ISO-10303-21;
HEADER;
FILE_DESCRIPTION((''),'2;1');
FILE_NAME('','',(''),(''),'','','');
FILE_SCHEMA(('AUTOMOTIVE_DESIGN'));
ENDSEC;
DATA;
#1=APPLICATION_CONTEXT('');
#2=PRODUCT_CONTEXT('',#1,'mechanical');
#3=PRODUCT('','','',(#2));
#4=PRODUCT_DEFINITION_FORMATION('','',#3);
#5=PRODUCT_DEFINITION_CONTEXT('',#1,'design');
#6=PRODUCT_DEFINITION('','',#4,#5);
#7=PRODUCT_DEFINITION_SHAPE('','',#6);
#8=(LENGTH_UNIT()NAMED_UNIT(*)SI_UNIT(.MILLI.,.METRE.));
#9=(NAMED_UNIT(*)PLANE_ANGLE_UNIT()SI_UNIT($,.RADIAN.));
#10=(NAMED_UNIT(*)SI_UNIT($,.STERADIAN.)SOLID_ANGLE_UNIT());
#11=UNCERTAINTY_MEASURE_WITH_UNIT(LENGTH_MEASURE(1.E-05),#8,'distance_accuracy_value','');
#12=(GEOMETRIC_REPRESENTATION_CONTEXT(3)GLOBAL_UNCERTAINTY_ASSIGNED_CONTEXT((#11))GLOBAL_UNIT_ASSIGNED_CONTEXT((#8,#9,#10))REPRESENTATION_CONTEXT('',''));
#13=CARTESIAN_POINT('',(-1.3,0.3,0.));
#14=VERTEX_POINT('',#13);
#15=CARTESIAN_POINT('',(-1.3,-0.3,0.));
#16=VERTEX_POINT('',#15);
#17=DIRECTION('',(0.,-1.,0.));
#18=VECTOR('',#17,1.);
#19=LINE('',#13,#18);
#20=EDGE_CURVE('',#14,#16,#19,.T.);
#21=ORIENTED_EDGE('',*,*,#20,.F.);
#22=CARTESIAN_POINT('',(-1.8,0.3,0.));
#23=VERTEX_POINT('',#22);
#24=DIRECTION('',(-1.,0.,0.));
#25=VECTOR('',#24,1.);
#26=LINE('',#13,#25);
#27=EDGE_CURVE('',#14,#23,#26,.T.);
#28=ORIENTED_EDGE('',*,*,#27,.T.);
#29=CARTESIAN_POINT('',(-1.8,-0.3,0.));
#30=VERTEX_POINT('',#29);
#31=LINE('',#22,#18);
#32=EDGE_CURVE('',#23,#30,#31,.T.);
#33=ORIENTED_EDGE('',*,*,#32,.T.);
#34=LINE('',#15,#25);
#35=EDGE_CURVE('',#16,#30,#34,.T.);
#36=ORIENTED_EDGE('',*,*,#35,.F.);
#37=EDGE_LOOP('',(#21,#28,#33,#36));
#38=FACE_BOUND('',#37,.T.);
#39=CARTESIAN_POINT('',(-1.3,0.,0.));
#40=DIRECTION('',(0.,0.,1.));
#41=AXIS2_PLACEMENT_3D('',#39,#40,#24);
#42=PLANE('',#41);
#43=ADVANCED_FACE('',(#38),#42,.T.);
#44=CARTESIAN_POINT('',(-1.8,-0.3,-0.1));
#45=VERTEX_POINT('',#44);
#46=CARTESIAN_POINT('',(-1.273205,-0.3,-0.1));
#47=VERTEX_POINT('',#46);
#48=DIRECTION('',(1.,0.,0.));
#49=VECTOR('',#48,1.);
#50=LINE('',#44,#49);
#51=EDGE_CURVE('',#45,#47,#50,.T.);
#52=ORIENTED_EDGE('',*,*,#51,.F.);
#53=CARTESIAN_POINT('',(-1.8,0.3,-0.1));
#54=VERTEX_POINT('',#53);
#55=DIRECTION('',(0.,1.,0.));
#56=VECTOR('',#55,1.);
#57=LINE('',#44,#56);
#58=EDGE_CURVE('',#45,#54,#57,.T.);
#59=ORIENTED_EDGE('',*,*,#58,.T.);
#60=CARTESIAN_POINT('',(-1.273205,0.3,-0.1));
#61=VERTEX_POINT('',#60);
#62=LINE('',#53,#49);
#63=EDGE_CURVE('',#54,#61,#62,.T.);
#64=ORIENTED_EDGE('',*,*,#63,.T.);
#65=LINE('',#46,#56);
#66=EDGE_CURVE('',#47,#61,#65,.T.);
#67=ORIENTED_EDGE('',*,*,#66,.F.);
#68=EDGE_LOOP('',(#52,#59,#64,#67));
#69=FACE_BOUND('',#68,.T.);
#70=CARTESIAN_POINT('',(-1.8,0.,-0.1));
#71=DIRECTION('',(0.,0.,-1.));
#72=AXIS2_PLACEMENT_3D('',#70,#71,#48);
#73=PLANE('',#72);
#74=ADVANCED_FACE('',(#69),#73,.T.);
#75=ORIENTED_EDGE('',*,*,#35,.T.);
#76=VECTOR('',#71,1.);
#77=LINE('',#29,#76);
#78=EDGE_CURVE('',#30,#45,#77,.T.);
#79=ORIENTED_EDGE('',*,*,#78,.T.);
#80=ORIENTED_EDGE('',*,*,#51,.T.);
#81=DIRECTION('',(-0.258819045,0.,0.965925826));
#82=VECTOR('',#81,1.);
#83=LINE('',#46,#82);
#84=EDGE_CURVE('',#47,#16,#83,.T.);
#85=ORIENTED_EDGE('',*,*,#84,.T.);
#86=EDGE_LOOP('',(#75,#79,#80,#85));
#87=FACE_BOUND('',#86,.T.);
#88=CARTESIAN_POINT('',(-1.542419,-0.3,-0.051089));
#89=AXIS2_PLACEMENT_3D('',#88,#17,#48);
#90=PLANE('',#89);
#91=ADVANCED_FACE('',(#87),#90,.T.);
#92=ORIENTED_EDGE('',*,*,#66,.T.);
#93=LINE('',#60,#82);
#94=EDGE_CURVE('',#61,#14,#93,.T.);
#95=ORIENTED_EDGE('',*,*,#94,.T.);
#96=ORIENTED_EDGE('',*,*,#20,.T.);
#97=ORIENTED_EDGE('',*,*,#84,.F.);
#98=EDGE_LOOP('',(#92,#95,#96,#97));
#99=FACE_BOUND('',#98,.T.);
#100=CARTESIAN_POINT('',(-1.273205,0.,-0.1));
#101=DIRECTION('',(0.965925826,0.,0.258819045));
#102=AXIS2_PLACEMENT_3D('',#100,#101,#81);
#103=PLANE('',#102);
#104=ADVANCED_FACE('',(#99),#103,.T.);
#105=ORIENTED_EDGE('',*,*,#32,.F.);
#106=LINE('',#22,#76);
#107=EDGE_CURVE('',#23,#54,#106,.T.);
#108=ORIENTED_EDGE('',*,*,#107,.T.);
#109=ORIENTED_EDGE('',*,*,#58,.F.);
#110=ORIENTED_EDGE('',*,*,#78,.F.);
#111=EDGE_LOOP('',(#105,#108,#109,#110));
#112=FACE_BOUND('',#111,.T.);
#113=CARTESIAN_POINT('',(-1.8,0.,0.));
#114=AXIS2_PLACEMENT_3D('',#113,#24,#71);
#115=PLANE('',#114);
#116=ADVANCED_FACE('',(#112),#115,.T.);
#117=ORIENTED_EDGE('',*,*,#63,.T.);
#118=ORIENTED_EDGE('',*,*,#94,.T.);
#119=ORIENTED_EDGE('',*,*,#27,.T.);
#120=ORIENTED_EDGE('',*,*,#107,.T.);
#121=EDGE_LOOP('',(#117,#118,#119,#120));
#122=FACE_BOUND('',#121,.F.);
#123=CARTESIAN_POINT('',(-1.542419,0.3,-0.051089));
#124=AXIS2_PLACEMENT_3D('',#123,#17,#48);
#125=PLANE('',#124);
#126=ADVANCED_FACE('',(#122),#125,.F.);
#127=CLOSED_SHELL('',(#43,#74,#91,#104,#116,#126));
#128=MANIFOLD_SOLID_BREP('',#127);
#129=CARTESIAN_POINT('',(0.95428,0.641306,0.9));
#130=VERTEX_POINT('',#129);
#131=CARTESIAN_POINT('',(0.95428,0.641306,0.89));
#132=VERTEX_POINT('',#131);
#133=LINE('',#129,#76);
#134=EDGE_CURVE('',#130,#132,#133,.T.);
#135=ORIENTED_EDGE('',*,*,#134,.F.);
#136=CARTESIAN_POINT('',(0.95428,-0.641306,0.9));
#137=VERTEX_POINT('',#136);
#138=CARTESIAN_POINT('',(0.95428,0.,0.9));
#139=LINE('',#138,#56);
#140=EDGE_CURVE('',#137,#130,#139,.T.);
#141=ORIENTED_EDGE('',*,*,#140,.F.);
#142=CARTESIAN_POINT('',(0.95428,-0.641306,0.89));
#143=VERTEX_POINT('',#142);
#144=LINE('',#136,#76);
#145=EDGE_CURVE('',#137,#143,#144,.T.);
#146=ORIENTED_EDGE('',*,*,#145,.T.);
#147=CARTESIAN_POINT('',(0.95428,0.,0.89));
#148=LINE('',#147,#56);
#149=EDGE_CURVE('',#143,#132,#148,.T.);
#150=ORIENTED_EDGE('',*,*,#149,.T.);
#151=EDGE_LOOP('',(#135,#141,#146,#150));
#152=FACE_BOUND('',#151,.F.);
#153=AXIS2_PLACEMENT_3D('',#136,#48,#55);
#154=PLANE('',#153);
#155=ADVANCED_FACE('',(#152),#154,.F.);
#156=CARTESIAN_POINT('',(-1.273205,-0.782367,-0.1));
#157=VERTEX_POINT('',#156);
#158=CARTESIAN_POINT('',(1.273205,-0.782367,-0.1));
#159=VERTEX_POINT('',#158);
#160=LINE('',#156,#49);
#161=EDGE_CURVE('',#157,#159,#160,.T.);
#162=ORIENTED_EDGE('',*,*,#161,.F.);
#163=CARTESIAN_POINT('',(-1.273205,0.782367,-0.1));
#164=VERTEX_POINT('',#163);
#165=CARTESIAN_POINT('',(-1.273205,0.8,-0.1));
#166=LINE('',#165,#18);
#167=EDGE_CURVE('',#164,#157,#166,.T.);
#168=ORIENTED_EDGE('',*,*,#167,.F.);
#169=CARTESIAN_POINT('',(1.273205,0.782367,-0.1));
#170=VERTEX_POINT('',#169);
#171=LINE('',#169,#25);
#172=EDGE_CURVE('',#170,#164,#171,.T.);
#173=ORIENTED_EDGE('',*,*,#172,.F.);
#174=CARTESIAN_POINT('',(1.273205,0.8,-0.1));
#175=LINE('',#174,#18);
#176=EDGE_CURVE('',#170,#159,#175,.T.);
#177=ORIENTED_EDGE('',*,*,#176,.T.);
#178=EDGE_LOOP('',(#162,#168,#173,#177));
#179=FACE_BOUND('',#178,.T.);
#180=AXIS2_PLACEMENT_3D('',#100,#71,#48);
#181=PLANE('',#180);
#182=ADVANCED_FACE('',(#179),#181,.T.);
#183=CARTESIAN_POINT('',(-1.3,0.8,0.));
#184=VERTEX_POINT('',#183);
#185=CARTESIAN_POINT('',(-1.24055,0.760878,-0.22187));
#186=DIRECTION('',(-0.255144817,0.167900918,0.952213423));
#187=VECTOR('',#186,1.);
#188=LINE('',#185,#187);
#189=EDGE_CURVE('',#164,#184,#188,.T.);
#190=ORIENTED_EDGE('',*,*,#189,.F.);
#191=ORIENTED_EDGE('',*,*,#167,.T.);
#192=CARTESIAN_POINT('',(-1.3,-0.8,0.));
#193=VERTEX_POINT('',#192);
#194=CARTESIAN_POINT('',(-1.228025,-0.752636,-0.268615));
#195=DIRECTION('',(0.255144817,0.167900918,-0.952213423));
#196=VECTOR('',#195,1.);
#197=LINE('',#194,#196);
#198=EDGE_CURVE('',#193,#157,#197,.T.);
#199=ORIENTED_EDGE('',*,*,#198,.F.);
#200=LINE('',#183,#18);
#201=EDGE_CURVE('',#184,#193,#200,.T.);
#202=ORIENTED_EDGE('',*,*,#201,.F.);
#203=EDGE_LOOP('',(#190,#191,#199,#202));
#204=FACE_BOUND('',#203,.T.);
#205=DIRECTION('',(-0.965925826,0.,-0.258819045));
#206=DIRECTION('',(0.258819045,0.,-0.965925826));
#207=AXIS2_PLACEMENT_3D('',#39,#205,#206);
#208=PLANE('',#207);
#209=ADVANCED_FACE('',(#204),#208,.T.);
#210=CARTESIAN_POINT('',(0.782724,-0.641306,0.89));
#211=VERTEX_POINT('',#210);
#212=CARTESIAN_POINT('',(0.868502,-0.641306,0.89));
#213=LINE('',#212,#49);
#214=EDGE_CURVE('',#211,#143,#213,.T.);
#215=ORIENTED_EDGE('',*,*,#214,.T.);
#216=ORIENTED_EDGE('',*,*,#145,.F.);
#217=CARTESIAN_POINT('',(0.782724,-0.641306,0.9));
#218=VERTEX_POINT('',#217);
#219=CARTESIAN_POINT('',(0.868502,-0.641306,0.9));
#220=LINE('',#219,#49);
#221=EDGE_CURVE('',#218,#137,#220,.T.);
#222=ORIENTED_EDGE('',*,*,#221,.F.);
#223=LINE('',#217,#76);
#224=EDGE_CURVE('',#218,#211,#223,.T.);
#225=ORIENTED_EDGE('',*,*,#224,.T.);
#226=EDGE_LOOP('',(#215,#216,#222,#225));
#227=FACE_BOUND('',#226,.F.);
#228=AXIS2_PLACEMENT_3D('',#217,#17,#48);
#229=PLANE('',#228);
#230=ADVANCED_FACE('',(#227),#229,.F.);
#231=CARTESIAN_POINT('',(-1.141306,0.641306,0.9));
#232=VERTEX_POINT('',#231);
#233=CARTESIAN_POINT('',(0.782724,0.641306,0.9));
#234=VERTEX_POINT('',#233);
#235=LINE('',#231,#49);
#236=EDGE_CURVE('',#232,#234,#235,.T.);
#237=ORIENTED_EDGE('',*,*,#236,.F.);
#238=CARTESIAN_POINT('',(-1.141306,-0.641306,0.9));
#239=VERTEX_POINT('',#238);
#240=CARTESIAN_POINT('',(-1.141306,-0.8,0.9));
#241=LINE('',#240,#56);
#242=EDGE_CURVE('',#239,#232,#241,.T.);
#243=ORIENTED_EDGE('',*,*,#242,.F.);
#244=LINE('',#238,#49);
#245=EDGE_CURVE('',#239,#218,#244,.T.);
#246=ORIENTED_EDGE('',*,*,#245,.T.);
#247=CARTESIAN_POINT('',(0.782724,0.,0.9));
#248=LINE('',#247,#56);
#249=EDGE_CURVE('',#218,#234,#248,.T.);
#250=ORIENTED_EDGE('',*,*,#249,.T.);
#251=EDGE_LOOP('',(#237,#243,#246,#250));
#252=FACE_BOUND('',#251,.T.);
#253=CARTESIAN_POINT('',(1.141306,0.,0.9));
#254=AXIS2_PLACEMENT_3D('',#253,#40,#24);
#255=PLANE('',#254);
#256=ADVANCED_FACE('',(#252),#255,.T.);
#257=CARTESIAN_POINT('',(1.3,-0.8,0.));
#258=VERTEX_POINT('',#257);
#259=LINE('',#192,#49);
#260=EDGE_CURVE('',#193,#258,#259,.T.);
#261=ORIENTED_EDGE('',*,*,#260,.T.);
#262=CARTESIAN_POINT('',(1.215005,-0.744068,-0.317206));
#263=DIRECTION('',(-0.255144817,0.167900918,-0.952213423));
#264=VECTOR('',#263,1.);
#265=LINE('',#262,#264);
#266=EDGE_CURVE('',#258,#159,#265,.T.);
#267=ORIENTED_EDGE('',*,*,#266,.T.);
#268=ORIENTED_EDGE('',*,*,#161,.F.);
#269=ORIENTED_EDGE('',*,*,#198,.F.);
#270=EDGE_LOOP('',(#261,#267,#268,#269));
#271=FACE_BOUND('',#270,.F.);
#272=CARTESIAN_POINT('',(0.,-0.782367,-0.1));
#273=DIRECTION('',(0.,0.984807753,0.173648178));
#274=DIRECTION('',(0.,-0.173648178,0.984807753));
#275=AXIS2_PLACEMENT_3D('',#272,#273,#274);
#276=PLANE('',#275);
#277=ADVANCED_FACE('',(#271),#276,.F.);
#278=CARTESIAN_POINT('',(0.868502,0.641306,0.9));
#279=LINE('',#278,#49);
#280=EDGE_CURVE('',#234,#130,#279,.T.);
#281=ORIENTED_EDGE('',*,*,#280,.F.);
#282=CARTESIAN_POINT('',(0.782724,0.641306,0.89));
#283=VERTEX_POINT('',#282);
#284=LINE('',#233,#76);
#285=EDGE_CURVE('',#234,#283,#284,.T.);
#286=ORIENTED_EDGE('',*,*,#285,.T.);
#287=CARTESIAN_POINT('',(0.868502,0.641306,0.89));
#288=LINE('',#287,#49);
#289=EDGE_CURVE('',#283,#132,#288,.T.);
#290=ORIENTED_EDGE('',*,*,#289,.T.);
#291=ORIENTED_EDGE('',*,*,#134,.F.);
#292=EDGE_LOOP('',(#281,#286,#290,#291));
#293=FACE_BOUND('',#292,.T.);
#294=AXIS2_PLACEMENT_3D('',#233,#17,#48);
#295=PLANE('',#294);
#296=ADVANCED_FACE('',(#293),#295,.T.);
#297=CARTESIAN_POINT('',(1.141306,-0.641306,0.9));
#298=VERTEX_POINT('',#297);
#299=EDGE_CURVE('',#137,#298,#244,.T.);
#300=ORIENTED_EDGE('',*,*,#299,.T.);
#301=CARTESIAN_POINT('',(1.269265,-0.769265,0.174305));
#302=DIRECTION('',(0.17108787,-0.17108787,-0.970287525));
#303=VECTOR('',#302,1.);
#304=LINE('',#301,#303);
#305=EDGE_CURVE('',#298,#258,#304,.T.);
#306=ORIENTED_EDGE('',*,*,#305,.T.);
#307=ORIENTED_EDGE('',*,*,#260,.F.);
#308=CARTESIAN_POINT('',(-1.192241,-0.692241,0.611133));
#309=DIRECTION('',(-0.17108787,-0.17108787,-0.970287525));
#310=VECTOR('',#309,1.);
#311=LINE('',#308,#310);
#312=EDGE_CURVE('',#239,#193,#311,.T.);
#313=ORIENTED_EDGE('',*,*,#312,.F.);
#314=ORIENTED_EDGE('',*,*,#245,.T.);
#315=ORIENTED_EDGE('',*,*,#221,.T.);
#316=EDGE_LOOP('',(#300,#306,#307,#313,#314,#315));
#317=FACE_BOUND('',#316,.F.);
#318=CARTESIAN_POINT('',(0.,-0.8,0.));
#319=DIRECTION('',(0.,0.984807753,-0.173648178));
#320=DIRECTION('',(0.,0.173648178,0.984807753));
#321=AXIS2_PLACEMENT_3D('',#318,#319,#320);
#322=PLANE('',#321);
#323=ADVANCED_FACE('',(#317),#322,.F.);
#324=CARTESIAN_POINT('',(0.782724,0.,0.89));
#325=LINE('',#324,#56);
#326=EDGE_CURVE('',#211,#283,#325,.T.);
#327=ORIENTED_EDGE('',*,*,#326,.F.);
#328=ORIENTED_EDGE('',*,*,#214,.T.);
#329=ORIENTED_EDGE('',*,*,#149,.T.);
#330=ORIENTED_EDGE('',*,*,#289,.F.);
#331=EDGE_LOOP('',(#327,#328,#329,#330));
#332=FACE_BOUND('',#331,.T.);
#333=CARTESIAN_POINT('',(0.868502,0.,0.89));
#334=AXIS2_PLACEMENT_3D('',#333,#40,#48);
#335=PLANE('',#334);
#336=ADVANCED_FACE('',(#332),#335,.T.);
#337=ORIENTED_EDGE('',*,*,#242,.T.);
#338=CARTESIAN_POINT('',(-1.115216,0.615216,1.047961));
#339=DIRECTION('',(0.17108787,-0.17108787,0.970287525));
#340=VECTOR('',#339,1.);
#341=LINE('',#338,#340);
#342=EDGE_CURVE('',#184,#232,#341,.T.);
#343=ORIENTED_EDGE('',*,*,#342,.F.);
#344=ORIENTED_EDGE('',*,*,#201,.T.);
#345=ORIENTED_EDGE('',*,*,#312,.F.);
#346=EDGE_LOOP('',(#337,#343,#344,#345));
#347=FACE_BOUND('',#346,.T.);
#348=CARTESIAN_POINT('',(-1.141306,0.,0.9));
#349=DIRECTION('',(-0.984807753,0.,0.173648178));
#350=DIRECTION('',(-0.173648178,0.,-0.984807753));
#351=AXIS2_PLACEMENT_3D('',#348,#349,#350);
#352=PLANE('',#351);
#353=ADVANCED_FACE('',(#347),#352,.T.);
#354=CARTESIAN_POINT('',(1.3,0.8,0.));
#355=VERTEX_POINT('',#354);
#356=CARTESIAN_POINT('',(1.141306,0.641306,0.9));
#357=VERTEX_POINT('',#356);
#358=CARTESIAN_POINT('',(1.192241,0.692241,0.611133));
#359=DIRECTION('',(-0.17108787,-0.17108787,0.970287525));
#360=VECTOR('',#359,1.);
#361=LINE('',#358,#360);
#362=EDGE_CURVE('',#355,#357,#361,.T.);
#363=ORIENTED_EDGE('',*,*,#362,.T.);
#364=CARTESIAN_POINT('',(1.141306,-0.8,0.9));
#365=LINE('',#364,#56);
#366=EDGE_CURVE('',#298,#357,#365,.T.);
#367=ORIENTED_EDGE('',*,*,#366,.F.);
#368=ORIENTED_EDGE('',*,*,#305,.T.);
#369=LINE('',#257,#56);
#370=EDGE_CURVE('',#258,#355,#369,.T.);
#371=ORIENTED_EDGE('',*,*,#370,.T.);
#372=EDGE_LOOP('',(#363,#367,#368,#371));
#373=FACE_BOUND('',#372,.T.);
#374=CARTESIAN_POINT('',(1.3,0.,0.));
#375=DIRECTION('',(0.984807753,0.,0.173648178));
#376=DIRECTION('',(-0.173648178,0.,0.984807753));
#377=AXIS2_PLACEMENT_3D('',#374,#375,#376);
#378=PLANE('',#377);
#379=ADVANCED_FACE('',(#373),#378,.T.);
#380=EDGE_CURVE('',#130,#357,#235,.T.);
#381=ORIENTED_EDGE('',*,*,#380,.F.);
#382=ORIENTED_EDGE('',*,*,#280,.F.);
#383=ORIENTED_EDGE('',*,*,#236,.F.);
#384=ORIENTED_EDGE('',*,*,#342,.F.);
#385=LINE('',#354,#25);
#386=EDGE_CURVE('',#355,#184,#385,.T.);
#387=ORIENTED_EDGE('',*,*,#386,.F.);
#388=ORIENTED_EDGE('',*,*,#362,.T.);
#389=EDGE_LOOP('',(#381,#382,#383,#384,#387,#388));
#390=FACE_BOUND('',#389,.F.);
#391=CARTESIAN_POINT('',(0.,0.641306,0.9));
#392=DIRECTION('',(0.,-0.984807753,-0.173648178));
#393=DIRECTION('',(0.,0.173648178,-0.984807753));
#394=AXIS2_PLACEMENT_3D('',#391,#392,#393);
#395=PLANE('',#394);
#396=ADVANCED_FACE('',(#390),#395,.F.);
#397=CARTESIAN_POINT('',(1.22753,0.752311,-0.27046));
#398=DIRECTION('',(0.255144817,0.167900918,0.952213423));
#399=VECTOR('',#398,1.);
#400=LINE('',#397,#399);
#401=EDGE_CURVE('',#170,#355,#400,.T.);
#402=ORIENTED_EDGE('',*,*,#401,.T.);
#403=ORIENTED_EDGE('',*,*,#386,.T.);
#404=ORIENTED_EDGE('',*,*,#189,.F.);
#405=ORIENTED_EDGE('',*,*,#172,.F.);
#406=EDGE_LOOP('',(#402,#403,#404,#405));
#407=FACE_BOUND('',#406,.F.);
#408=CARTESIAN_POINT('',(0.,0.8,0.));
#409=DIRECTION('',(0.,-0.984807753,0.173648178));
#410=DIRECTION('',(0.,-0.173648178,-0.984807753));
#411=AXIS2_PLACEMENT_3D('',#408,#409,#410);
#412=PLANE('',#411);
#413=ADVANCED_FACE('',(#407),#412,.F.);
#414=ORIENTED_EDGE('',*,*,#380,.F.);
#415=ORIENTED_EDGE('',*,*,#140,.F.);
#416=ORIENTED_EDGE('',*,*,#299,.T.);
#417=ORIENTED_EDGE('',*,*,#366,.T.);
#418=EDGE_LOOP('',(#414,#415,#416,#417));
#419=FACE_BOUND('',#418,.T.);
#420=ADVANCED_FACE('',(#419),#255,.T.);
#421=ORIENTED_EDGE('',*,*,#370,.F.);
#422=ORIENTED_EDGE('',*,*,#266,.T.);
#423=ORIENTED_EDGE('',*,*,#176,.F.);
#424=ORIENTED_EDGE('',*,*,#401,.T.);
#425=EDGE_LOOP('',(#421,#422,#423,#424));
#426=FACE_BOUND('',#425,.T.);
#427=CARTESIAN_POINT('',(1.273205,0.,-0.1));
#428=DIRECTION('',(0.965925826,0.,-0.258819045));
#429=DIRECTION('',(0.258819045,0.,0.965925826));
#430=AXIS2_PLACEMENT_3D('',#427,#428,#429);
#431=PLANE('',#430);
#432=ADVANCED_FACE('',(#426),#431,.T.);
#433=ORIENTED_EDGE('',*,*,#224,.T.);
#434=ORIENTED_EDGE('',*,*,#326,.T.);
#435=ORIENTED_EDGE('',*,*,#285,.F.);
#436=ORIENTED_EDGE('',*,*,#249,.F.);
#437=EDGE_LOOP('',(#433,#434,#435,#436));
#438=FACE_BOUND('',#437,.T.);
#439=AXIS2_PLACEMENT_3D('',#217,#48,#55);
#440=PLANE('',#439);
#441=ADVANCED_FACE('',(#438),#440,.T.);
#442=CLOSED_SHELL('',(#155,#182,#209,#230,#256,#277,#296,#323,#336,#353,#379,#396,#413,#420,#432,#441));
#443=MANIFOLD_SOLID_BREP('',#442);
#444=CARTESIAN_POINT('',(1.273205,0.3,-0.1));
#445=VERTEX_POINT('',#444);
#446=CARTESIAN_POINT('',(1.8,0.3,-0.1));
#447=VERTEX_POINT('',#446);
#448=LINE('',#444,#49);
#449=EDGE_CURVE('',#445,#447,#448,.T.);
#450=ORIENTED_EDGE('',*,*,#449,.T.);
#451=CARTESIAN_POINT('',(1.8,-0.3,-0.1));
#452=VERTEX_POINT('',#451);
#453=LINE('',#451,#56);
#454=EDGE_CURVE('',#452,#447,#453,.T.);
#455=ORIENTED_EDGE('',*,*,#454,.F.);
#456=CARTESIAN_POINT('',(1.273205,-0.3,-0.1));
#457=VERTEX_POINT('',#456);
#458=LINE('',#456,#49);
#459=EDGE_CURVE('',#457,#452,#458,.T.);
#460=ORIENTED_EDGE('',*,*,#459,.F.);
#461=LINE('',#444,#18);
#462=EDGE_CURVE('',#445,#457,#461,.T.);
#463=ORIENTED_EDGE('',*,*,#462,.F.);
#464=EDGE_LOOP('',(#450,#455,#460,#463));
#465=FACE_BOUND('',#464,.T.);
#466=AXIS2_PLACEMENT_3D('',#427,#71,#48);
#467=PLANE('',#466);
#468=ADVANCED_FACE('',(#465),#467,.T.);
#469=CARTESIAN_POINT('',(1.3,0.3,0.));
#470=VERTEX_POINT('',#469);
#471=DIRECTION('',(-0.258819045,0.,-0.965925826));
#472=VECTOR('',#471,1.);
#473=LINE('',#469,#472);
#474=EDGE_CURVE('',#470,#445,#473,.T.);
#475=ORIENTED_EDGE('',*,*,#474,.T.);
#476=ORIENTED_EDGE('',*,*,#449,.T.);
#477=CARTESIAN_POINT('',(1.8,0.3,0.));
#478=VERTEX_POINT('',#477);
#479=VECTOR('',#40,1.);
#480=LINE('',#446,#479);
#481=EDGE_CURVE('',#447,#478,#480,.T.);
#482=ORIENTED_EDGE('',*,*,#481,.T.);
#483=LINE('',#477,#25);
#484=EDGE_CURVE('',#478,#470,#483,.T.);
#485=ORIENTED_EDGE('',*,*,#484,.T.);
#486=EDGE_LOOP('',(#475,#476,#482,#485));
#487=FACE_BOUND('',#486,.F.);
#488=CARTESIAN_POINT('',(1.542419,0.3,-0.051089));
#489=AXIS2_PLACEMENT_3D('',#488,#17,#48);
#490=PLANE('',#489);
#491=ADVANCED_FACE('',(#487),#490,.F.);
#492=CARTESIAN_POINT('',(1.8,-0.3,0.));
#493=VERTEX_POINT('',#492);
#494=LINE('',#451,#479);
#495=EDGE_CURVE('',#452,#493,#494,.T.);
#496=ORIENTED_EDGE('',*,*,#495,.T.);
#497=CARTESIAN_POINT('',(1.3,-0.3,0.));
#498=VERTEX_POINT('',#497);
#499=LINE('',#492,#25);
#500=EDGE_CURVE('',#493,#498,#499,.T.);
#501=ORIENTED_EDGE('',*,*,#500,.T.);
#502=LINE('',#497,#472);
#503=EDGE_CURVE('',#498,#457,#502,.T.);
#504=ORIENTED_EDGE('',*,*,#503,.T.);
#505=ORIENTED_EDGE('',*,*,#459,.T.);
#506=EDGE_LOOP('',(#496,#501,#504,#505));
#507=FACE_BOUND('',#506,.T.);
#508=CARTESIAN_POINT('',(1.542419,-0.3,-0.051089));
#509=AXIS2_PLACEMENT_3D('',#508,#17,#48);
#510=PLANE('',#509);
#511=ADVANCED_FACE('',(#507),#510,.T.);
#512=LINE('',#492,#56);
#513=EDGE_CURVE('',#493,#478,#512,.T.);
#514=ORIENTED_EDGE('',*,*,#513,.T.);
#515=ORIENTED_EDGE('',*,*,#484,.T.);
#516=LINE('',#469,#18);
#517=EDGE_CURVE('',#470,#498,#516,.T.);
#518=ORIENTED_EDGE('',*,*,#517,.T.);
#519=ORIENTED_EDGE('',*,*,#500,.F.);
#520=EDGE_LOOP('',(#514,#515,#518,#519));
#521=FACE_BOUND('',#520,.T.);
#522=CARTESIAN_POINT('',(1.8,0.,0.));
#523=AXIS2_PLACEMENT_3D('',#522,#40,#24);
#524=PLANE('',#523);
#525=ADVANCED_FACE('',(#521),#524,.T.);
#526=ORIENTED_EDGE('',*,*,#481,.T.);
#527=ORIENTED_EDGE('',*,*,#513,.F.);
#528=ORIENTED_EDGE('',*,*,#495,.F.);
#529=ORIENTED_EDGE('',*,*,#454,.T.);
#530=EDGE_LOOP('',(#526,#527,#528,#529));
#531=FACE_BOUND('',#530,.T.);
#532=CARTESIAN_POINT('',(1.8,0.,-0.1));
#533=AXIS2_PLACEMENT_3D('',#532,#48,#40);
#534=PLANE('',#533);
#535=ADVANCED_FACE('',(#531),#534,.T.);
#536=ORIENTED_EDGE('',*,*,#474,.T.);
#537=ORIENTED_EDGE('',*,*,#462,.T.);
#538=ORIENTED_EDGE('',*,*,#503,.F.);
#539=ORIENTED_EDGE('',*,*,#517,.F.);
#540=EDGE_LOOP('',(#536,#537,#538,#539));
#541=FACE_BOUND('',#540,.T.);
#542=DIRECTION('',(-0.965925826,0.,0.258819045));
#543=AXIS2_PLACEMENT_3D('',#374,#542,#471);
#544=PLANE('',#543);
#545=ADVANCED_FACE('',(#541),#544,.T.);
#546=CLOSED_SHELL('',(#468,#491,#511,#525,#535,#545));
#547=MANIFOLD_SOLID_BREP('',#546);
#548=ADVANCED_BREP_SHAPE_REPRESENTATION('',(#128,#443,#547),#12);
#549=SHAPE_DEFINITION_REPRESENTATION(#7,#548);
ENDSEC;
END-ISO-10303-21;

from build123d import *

# Parameters (mm, degrees)
F1_DEPTH      = 0.8
F3_DEPTH      = 1.301
F3_DEPTH_BACK = 1.301
F5_DEPTH      = 0.3
F6_W          = 0.1715559629
F6_H          = 1.2826114347
F7_DEPTH      = 0.01


with BuildPart() as f1:
    # F0 (on Front) → F1 (new body, symmetric)
    with BuildSketch(Plane.XZ):
        Polygon((-1.1413057174, 0.9), (-1.3, 0), (1.3, 0), (1.1413057174, 0.9), align=None)
        Polygon((1.3, 0), (-1.3, 0), (-1.2732050808, -0.1), (1.2732050808, -0.1), align=None)
    extrude(amount=F1_DEPTH, both=True)

    # F2 (on Right) → F3 (cut, two sides)
    with BuildSketch(Plane.YZ) as f3_sk:
        Polygon((-0.6413057174, 0.9), (-0.8, 0.9), (-0.8, 0), align=None)
        Polygon((0.8, 0.9), (0.6413057174, 0.9), (0.8, 0), align=None)
        Polygon((-0.7823673019, -0.1), (-0.8, 0), (-0.8, -0.1), align=None)
        Polygon((0.8, -0.1), (0.8, 0), (0.7823673019, -0.1), align=None)
    extrude(amount=-F3_DEPTH, mode=Mode.SUBTRACT)
    extrude(f3_sk.sketch, amount=F3_DEPTH_BACK, mode=Mode.SUBTRACT)

    # F6 (on face) → F7 (cut)
    with BuildSketch(Plane.XY.offset(0.9)):
        with Locations((0.8685019275, 0)):
            Rectangle(F6_W, F6_H)
    extrude(amount=-F7_DEPTH, mode=Mode.SUBTRACT)


with BuildPart() as f5:
    # F4 (on Front) → F5 (new body, symmetric)
    with BuildSketch(Plane.XZ):
        Polygon((1.8, 0), (1.3, 0), (1.2732050808, -0.1), (1.8, -0.1), align=None)
    extrude(amount=F5_DEPTH, both=True)


with BuildPart() as f5b:
    # F4 (on Front) → F5, piece 2 (new body, symmetric)
    with BuildSketch(Plane.XZ):
        Polygon((-1.2732050808, -0.1), (-1.3, 0), (-1.8, 0), (-1.8, -0.1), align=None)
    extrude(amount=F5_DEPTH, both=True)


solid = Compound([f1.part, f5.part, f5b.part])
